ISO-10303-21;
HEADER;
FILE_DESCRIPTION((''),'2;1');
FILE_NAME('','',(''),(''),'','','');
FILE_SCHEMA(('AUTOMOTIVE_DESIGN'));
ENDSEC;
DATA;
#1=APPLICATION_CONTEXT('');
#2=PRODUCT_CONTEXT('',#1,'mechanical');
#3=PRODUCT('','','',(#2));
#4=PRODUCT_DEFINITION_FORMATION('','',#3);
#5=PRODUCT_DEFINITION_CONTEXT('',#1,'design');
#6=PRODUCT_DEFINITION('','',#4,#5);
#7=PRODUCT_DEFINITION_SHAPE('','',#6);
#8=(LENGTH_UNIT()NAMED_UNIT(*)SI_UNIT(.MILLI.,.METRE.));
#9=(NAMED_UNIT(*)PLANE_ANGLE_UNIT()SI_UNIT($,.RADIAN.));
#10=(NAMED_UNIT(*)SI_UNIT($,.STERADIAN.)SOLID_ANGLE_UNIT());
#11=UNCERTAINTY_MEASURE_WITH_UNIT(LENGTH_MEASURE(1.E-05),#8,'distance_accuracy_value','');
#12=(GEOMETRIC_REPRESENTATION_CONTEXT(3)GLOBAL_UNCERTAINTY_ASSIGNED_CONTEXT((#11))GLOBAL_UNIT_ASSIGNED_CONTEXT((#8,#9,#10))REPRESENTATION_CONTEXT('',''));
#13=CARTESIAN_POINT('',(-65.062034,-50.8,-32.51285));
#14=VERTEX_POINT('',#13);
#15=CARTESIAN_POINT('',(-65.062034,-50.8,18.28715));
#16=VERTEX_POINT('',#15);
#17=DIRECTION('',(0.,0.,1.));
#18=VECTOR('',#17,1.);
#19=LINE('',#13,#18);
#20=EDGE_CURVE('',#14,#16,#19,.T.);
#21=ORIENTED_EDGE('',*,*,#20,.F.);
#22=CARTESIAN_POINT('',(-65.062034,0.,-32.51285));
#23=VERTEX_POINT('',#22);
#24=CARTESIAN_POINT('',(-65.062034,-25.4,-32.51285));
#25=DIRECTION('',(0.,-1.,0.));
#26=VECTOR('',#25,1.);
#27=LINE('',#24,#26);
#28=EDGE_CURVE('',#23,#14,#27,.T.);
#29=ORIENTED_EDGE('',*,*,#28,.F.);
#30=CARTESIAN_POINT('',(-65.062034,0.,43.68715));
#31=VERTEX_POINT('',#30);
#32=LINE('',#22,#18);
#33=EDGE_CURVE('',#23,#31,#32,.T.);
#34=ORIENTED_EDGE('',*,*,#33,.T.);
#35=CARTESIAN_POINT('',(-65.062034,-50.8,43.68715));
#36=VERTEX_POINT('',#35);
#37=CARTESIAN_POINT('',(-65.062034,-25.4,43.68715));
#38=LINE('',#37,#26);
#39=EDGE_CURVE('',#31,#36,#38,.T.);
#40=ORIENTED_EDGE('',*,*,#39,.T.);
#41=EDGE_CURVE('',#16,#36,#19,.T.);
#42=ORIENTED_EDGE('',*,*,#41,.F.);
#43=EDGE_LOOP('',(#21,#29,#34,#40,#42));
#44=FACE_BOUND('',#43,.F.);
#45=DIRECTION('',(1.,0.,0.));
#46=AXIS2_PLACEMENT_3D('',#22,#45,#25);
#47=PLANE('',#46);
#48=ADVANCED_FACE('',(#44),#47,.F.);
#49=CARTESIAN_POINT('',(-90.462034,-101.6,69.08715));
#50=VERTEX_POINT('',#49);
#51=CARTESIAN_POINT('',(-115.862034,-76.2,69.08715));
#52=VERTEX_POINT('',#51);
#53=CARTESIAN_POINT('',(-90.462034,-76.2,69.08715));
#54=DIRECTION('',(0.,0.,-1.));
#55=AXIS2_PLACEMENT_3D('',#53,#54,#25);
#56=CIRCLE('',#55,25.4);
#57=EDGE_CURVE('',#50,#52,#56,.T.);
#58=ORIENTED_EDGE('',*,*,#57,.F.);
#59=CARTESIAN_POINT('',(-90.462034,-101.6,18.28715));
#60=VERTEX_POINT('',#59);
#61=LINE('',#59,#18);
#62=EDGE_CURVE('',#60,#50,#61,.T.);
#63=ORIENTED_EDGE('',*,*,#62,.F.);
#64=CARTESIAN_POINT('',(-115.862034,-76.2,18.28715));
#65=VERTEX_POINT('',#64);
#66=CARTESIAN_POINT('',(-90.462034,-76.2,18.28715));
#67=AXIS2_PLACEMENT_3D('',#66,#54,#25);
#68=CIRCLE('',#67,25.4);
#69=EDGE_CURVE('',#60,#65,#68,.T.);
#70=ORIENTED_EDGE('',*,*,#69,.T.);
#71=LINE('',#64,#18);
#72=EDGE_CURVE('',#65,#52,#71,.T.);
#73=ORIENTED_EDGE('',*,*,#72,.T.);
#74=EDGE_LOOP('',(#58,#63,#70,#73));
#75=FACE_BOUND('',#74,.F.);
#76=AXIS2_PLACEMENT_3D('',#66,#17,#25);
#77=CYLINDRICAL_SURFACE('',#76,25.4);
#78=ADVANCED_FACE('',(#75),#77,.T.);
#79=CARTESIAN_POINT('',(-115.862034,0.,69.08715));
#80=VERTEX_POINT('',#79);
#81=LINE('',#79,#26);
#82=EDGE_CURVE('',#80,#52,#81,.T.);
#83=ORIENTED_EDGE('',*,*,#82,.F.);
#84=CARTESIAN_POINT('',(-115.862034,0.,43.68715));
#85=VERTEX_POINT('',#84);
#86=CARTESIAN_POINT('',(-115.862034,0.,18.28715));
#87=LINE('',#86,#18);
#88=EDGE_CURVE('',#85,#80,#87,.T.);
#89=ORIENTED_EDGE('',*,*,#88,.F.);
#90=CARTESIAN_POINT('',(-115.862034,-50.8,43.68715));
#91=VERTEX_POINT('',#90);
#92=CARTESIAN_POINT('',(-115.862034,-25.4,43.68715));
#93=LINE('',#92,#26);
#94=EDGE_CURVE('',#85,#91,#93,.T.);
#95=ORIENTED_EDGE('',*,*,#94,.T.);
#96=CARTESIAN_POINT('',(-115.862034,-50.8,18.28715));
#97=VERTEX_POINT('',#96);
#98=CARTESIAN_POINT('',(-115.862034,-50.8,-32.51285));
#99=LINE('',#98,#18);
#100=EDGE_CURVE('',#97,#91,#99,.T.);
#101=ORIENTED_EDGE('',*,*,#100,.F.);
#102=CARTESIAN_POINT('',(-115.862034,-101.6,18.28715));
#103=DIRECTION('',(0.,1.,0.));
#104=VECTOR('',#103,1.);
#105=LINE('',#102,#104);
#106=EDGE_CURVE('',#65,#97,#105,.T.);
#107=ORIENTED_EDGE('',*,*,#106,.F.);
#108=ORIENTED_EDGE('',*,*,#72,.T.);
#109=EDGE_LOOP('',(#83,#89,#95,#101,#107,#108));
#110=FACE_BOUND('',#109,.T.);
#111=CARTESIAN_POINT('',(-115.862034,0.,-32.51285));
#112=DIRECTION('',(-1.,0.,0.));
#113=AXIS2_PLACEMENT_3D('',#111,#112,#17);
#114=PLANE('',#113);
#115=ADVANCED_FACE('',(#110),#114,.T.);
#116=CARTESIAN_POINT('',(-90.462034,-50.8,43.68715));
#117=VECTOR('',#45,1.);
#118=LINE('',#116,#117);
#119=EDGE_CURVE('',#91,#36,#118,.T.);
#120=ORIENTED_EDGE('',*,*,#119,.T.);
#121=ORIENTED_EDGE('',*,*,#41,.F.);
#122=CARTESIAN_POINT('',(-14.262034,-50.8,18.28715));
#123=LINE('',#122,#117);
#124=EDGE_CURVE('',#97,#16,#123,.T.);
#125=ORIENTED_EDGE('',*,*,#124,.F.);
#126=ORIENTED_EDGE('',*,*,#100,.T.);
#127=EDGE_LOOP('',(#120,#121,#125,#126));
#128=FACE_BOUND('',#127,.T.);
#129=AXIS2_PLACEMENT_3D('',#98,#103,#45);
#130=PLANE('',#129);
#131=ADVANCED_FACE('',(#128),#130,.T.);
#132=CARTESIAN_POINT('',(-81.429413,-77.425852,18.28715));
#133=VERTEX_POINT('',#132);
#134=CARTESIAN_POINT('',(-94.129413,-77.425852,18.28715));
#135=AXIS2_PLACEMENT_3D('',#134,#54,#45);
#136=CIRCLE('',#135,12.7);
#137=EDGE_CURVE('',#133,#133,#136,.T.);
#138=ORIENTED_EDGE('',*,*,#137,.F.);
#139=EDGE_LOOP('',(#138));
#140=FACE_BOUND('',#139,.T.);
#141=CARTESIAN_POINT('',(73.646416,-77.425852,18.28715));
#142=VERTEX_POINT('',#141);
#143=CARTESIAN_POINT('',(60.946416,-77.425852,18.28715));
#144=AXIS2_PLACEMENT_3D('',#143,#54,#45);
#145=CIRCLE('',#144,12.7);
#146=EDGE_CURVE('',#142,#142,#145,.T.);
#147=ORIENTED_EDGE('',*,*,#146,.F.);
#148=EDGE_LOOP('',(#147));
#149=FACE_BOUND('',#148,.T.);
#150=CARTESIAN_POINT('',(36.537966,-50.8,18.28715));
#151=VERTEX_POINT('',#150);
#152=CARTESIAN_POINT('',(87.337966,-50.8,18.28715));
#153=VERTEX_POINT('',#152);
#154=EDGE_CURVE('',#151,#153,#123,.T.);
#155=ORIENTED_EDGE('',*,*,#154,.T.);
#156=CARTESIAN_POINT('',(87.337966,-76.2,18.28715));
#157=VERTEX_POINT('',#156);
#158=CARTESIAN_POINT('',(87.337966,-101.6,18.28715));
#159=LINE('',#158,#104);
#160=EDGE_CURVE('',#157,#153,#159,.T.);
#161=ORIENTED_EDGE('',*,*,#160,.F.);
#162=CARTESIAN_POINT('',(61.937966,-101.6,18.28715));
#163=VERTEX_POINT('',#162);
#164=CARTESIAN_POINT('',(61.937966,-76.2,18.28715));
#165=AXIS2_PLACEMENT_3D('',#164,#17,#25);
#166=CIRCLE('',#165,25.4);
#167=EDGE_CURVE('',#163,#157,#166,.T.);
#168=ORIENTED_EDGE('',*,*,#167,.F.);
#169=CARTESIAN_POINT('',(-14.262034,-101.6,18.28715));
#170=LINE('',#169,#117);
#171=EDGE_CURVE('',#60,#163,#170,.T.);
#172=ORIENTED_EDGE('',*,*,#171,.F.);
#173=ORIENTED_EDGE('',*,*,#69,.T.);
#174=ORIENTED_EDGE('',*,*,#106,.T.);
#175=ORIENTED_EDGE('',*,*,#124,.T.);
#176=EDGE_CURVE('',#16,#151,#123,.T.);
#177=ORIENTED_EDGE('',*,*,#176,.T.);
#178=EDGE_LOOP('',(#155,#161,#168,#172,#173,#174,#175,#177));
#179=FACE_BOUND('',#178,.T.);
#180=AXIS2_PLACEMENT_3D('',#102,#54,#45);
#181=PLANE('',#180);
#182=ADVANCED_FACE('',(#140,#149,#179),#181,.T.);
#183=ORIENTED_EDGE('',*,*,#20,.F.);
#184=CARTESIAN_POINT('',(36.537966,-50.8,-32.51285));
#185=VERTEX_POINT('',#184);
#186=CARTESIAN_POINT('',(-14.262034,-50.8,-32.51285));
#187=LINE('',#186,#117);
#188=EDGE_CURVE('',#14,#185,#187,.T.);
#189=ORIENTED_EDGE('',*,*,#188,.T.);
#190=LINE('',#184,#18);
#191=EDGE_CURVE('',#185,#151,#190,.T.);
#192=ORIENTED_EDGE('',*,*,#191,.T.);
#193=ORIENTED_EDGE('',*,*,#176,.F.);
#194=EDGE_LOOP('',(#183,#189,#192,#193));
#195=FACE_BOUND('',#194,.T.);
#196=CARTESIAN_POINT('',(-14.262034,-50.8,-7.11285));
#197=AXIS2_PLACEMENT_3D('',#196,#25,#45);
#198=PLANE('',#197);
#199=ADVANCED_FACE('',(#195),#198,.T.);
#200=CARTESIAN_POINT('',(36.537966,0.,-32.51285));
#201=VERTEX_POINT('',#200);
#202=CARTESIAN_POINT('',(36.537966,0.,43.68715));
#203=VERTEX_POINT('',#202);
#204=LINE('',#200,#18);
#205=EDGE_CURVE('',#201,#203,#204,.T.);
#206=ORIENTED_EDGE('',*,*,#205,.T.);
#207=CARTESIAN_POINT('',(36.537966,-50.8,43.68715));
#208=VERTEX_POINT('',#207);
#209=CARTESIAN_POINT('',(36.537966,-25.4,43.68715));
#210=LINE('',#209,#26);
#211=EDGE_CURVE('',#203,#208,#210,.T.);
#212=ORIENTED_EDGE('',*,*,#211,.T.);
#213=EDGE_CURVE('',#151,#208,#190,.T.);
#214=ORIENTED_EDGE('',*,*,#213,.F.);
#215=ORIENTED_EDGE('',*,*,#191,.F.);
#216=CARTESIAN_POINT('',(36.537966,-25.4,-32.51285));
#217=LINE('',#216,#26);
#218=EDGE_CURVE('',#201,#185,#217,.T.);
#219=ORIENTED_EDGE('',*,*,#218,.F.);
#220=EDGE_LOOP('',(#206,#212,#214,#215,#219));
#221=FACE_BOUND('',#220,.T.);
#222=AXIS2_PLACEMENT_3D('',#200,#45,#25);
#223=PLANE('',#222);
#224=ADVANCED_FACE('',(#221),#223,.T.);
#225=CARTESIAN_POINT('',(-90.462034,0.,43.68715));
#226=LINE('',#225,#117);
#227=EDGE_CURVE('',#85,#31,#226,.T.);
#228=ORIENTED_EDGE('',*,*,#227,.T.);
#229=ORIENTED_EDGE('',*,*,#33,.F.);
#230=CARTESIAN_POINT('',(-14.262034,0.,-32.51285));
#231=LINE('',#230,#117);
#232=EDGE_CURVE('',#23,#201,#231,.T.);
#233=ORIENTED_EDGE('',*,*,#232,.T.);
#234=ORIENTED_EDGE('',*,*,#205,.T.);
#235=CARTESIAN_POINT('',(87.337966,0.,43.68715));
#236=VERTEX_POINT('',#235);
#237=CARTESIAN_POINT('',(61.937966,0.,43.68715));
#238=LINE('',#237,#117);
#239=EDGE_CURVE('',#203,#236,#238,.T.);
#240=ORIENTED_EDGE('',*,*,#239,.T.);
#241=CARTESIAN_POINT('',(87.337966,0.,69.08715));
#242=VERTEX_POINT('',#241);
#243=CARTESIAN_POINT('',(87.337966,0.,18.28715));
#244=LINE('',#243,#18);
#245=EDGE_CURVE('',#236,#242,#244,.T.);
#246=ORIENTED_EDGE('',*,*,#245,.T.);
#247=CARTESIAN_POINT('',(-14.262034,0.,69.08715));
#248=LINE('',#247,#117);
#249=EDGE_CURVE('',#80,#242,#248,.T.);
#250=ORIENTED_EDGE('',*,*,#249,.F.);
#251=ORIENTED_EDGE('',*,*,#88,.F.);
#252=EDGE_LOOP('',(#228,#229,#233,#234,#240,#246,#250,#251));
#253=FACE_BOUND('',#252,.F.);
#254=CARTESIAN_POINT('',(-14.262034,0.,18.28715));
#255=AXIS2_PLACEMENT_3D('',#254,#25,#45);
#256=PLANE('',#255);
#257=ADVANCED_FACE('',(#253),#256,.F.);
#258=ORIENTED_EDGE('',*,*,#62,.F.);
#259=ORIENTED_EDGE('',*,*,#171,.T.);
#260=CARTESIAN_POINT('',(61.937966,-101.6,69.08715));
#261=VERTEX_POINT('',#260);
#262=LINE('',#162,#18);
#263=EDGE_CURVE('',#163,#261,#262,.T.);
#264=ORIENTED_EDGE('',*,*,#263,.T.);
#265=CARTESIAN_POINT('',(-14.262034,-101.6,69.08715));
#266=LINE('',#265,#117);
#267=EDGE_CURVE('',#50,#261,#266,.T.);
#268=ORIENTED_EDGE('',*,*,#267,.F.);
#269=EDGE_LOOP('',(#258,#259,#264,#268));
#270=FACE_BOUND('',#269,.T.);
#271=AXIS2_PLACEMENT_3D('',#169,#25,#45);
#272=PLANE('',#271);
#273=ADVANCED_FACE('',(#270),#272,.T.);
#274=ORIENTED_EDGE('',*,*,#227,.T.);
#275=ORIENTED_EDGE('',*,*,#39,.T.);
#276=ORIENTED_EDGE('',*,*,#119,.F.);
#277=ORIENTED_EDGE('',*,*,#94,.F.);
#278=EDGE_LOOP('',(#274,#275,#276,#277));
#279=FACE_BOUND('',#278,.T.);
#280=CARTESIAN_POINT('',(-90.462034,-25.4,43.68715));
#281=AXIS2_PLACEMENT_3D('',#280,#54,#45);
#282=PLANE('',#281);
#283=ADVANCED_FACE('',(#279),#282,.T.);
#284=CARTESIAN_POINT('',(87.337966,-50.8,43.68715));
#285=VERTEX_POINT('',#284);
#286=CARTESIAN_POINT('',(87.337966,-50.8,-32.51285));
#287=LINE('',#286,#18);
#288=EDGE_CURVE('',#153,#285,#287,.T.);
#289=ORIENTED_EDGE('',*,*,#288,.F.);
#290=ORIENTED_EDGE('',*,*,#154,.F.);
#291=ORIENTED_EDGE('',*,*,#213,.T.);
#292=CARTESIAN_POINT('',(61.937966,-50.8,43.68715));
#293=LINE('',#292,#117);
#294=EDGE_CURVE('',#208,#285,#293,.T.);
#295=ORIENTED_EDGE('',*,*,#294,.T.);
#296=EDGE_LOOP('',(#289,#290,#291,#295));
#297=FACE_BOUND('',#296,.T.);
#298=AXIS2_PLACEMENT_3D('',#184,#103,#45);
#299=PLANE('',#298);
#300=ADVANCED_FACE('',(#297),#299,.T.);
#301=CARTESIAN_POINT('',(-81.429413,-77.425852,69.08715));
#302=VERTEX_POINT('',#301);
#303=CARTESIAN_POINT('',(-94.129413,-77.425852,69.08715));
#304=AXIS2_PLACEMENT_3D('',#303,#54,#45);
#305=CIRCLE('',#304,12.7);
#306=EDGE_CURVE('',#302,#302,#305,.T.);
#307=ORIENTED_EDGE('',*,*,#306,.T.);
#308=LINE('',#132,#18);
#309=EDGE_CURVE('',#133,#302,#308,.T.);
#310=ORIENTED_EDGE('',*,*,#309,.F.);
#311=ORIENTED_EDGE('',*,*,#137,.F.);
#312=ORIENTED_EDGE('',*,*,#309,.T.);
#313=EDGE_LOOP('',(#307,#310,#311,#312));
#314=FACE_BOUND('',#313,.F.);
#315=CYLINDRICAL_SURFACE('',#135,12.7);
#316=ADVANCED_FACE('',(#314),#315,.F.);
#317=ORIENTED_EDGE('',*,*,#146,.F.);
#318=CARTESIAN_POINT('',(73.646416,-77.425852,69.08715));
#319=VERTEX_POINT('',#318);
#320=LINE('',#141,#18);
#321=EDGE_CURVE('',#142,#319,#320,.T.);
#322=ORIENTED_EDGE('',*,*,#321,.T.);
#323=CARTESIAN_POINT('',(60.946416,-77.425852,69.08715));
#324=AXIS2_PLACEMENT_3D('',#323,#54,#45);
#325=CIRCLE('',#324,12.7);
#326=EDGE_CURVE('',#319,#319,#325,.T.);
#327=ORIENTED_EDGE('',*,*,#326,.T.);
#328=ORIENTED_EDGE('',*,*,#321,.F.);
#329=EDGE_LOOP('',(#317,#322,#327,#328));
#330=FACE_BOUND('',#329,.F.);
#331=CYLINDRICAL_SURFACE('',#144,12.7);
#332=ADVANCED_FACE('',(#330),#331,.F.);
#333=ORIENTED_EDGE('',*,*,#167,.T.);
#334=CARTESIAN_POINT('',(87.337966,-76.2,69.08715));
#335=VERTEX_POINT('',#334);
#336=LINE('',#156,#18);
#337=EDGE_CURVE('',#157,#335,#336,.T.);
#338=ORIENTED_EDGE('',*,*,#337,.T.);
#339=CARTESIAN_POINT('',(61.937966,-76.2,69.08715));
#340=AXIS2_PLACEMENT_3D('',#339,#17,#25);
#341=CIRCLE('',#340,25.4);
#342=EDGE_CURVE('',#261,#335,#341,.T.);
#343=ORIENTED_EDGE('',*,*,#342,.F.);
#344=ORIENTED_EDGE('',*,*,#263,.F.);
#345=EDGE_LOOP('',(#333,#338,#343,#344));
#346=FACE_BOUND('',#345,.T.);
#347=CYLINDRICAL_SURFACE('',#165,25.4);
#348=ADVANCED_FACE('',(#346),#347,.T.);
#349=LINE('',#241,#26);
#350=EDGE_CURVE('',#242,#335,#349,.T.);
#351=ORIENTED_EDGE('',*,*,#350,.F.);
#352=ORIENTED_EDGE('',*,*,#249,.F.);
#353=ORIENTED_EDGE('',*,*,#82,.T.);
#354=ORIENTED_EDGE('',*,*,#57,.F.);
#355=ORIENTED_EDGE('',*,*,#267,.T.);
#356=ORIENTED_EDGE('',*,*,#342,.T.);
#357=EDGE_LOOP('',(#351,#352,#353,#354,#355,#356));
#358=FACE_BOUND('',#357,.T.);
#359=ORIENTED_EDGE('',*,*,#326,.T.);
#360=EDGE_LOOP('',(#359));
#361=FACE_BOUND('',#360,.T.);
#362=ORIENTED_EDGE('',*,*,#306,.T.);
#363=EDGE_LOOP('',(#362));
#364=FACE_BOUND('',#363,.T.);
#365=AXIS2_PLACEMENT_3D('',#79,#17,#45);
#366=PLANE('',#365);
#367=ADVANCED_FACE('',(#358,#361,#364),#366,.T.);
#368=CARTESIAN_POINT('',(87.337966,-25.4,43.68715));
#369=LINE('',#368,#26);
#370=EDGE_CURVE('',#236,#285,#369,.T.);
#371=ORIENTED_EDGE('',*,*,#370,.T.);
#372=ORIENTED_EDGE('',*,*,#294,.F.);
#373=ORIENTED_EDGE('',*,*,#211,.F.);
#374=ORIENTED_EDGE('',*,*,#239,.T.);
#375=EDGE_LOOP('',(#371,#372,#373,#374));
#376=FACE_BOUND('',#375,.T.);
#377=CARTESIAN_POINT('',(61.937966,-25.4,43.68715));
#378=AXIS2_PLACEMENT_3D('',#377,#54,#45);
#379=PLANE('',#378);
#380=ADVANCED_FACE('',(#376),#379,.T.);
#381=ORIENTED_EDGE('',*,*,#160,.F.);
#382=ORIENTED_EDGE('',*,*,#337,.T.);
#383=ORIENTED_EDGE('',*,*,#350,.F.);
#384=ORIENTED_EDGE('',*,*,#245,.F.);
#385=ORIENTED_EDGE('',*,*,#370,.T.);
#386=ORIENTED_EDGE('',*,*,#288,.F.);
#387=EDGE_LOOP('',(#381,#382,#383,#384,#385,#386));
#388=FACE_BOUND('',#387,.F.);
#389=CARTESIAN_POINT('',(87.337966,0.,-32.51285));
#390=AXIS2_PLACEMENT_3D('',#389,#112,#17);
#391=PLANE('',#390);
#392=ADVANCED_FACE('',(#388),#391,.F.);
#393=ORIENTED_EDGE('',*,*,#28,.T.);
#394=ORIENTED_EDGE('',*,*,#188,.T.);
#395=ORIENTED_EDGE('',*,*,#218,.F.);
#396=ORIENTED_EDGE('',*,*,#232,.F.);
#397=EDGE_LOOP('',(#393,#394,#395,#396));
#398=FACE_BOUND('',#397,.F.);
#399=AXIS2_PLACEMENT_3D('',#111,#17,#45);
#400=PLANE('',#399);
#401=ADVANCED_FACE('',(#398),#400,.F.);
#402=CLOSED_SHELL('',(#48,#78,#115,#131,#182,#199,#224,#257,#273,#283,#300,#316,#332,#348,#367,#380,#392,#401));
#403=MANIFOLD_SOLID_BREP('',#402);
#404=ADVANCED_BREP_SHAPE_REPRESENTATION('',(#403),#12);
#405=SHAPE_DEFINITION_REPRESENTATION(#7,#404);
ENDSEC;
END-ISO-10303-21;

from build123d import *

# Parameters (mm, degrees)
F0_W      = 203.2
F0_H      = 101.6
F1_DEPTH  = 101.6
F2_W      = 203.2
F2_H      = 50.8
F3_DEPTH  = 50.8
F4_W      = 50.8
F4_H      = 50.8
F5_DEPTH  = 76.2
F6_W      = 50.8
F6_H      = 50.8
F7_DEPTH  = 76.2
F8_R      = 25.4
F9_R      = 25.4
F12_D     = 6.35
F11_R     = 12.7
F13_DEPTH = 101.6
F14_R     = 12.7
F14_R_2   = 3.175
F15_DEPTH = 101.6


with BuildPart() as f1:
    # F0 (on Front) → F1 (new body)
    with BuildSketch(Plane.XZ):
        with Locations((-14.2620336264, 18.2871496212)):
            Rectangle(F0_W, F0_H)
    extrude(amount=F1_DEPTH)

    # F2 (on face) → F3 (cut)
    with BuildSketch(Plane.XZ.offset(101.6)):
        with Locations((-14.2620336264, -7.1128503788)):
            Rectangle(F2_W, F2_H)
    extrude(amount=-F3_DEPTH, mode=Mode.SUBTRACT)

    # F4 (on face) → F5 (cut)
    with BuildSketch(Plane(origin=(0, 0, -32.5128503788), x_dir=(1, 0, 0), z_dir=(0, 0, -1))):
        with Locations((61.9379663736, 25.4)):
            Rectangle(F4_W, F4_H)
    extrude(amount=-F5_DEPTH, mode=Mode.SUBTRACT)

    # F6 (on face) → F7 (cut)
    with BuildSketch(Plane(origin=(0, 0, -32.5128503788), x_dir=(1, 0, 0), z_dir=(0, 0, -1))):
        with Locations((-90.4620336264, 25.4)):
            Rectangle(F6_W, F6_H)
    extrude(amount=-F7_DEPTH, mode=Mode.SUBTRACT)

    # F8
    f8_edges = [f1.edges().sort_by_distance(p)[0] for p in [
        (87.337966, -101.6, 43.68715),
    ]]
    fillet(f8_edges, radius=F8_R)

    # F9
    f9_edges = [f1.edges().sort_by_distance(p)[0] for p in [
        (-115.862034, -101.6, 43.68715),
    ]]
    fillet(f9_edges, radius=F9_R)

    # F12 (through all)
    with Locations(Plane(origin=(0, 0, 18.2871496212), x_dir=(1, 0, 0), z_dir=(0, 0, -1))):
        with Locations((-94.1294133663, 77.4258524179)):
            Hole(F12_D / 2)

    # F11 (on face) → F13 (cut)
    with BuildSketch(Plane(origin=(0, 0, 18.2871496212), x_dir=(1, 0, 0), z_dir=(0, 0, -1))):
        with Locations((60.9464161098, 77.4258524179)):
            Circle(F11_R)
    extrude(amount=-F13_DEPTH, mode=Mode.SUBTRACT)

    # F14 (on face) → F15 (cut)
    with BuildSketch(Plane(origin=(0, 0, 18.2871496212), x_dir=(1, 0, 0), z_dir=(0, 0, -1))):
        with Locations((-94.1294133663, 77.4258524179)):
            Circle(F14_R)
        with Locations((-94.1294133663, 77.4258524179)):
            Circle(F14_R_2, mode=Mode.SUBTRACT)
    extrude(amount=-F15_DEPTH, mode=Mode.SUBTRACT)


solid = f1.part
